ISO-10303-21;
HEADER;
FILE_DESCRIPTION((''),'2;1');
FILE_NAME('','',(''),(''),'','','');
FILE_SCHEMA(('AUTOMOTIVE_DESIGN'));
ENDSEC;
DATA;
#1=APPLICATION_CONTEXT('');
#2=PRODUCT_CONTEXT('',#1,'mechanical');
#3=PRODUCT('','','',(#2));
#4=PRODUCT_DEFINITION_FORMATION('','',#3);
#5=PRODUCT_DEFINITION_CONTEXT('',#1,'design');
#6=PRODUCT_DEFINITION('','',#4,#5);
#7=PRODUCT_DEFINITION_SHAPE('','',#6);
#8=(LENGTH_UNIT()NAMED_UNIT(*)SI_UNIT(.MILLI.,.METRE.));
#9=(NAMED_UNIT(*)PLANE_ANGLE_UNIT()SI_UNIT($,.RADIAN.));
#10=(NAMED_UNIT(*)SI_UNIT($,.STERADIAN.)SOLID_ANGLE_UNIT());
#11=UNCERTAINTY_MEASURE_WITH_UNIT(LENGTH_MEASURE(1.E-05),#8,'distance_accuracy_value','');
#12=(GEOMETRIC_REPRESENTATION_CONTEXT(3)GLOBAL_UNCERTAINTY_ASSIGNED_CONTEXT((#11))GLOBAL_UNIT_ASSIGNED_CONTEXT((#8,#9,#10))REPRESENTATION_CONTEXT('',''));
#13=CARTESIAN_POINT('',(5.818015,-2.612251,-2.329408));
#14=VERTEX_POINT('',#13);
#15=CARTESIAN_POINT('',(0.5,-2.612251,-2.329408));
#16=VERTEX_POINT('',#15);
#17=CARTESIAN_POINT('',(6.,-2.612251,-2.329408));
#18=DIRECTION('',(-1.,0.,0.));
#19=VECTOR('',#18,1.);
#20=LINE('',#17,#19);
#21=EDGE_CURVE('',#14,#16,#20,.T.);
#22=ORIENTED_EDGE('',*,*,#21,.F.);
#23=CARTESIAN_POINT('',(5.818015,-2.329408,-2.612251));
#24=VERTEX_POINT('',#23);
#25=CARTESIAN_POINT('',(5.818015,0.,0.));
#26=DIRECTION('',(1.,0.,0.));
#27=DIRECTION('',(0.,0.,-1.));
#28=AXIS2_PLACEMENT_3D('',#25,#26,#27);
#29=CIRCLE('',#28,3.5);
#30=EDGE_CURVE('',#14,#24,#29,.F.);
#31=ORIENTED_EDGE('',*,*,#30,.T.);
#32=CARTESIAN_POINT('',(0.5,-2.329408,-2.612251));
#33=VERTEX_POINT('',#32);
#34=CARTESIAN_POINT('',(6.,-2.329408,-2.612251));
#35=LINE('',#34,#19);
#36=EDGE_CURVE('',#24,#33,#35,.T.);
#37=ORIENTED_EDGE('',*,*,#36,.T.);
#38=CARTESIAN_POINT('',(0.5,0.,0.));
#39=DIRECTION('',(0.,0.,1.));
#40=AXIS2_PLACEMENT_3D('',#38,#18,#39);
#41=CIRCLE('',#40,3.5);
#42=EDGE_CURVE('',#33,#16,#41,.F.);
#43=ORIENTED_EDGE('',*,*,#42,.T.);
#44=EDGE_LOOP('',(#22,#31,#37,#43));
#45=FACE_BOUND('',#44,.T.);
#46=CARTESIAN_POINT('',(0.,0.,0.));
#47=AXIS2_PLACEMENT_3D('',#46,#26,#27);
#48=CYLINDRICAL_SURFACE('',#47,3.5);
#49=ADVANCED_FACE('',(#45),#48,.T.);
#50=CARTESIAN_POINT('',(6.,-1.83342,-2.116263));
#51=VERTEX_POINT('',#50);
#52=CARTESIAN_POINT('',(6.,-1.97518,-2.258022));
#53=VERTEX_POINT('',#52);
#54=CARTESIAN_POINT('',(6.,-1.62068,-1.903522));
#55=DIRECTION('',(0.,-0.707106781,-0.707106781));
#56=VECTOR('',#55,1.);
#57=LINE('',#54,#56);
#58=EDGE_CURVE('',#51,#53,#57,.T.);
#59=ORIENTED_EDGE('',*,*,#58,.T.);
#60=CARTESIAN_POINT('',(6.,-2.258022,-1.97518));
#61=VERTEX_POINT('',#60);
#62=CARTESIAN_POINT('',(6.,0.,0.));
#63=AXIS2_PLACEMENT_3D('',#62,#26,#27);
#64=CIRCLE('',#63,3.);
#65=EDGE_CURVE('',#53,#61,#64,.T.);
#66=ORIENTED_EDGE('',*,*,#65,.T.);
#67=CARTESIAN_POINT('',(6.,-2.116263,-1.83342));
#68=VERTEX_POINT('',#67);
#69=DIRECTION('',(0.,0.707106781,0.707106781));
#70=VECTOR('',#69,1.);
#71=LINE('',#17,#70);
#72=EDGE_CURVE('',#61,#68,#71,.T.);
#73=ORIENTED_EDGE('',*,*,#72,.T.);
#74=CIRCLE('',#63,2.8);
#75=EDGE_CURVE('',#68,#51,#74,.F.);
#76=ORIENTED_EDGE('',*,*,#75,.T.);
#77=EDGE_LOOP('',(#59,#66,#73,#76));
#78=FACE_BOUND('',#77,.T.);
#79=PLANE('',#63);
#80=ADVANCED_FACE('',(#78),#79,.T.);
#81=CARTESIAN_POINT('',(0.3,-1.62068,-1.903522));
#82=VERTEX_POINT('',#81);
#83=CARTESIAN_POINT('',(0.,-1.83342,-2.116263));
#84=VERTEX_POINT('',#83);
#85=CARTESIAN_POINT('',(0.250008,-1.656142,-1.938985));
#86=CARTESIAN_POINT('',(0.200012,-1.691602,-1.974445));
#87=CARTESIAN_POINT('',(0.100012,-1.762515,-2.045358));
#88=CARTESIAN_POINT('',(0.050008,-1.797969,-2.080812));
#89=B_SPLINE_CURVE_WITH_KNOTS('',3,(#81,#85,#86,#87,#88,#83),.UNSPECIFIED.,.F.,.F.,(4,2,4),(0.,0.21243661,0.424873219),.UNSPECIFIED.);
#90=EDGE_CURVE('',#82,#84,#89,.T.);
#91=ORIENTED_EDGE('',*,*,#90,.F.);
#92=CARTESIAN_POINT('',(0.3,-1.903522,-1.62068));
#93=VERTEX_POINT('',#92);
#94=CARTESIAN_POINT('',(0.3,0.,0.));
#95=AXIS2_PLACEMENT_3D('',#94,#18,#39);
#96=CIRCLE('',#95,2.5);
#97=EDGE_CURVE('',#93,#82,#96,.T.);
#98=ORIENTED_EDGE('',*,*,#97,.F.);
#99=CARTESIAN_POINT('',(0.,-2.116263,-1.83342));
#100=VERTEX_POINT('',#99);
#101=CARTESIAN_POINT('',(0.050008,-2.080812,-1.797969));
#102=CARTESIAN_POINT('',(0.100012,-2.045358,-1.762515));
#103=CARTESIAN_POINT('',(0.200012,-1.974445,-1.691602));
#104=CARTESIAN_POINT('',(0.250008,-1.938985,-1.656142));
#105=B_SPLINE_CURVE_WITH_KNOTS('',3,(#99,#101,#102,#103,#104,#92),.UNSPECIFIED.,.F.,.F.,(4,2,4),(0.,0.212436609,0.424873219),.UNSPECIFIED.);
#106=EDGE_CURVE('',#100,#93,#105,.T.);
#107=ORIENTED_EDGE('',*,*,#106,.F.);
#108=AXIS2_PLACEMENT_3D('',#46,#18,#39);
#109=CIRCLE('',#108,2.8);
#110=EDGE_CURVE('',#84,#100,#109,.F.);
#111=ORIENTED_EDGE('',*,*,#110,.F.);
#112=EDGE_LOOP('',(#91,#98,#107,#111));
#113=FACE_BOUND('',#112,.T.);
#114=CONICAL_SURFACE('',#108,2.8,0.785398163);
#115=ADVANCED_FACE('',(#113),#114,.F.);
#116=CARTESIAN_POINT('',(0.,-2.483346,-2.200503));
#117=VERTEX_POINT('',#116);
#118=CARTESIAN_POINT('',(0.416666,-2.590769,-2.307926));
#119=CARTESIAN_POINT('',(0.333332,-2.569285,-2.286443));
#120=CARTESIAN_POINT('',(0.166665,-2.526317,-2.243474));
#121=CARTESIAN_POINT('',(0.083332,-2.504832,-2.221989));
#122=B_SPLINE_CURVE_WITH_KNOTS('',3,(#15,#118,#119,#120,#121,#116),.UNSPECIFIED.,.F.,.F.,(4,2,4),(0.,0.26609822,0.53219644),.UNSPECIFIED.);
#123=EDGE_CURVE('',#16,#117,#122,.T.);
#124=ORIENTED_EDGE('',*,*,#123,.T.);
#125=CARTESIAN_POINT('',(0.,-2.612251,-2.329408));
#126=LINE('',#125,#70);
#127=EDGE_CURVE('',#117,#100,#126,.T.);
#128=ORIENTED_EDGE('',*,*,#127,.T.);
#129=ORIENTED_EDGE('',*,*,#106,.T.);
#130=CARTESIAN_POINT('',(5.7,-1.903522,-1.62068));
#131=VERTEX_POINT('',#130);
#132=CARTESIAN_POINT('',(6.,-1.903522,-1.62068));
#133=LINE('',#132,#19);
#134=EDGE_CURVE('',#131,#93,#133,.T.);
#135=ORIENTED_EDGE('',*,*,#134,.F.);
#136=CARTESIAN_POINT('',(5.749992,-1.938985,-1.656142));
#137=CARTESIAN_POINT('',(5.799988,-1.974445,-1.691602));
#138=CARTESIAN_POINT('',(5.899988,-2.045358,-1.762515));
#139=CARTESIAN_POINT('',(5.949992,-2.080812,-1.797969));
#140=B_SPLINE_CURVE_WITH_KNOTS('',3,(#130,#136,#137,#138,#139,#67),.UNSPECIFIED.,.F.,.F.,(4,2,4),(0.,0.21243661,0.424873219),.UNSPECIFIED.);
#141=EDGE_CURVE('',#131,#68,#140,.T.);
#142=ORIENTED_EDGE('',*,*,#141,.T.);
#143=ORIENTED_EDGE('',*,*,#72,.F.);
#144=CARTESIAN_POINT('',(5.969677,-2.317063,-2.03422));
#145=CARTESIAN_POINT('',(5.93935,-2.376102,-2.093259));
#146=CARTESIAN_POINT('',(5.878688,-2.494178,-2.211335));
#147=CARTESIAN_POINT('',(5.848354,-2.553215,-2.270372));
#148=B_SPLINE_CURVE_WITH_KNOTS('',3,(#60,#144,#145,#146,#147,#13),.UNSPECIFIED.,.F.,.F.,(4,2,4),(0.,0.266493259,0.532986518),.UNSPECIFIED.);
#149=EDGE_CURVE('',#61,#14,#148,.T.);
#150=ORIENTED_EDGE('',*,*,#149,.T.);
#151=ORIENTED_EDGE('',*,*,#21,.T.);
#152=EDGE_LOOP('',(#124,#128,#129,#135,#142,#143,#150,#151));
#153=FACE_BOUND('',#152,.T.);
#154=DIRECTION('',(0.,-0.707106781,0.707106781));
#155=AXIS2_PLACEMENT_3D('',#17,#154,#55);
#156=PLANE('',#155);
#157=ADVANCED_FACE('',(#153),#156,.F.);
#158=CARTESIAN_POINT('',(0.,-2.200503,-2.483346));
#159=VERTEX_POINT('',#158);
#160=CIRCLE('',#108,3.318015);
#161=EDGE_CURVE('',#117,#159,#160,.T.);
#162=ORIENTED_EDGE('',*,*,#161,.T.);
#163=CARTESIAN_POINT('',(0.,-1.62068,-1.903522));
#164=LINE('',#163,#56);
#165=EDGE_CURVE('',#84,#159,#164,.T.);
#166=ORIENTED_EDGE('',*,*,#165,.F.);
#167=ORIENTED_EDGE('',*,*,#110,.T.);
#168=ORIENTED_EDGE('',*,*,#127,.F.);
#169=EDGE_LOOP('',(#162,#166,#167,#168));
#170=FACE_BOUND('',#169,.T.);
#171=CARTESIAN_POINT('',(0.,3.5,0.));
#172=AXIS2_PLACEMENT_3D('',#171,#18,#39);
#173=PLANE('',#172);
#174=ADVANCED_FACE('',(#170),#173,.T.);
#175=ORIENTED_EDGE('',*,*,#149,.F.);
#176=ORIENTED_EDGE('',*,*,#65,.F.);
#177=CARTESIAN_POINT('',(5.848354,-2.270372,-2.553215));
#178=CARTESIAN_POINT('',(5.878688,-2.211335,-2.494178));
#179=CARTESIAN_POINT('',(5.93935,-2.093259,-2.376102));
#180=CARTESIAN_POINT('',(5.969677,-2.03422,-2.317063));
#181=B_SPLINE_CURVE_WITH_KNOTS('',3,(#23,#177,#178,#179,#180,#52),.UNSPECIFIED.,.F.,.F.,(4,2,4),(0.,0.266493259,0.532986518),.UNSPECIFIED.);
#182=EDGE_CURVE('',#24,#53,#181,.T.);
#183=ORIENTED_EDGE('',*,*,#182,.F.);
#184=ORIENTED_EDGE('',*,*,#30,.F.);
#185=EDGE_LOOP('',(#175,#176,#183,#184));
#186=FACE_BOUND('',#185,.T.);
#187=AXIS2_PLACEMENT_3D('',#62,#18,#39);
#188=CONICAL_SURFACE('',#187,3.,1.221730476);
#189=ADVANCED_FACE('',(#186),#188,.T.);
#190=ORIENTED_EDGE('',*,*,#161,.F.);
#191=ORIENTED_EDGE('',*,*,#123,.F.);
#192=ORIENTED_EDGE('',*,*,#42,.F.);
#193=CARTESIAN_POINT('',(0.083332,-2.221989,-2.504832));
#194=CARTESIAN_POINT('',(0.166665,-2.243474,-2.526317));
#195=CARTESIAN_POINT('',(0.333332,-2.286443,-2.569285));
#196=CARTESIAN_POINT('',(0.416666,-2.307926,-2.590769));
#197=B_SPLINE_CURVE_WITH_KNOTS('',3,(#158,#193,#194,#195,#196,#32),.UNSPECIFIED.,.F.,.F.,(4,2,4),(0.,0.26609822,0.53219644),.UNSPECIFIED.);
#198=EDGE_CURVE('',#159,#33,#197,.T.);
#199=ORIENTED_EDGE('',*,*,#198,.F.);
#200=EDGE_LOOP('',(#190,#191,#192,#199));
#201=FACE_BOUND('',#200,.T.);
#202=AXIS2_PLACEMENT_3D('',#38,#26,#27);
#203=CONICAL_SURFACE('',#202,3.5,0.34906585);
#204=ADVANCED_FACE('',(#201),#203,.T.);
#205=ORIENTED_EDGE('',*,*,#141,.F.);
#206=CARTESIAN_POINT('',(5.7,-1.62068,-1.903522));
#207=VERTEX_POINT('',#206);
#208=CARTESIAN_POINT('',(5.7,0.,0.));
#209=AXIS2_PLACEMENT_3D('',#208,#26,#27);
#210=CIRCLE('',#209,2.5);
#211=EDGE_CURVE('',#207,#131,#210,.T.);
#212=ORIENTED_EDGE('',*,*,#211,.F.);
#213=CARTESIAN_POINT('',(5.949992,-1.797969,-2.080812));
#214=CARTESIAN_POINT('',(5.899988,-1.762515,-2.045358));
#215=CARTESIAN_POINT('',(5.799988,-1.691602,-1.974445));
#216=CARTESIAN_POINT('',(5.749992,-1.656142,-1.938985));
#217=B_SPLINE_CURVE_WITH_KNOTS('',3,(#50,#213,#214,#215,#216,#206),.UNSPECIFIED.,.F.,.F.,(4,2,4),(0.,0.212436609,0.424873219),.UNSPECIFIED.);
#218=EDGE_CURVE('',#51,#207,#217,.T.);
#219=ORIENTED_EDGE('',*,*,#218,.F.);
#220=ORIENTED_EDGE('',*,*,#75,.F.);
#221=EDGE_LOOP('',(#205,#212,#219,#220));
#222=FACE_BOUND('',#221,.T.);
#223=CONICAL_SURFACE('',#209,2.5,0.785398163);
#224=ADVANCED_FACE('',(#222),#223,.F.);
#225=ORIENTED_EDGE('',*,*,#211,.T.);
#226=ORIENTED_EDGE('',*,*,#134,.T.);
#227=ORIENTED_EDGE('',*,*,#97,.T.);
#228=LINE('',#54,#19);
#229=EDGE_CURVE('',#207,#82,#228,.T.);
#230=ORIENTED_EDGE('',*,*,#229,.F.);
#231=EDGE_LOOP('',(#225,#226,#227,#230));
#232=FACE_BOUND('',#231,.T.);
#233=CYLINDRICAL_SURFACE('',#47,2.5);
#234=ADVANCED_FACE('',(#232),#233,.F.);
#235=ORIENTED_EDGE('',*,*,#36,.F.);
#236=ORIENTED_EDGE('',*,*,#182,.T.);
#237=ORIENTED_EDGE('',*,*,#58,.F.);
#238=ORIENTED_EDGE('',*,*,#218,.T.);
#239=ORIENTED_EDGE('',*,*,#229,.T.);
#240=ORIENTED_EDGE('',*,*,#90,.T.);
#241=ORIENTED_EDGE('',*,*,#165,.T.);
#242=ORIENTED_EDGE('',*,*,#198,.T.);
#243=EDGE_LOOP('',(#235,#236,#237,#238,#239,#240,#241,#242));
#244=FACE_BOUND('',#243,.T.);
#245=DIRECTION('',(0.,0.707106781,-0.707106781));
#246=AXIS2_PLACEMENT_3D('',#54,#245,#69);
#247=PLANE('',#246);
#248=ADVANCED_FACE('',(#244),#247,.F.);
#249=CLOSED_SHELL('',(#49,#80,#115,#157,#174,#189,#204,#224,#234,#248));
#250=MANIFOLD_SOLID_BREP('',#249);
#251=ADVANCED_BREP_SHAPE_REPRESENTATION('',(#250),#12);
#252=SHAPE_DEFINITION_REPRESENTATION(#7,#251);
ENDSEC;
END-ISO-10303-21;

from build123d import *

# Parameters (mm, degrees)
SKETCH1_W             = 6
SKETCH1_H             = 3.5
CUT_EXTRUDE1_DEPTH    = 7
SKETCH3_W             = 6
SKETCH3_H             = 2.5
CHAMFER1_SIZE         = 0.3
CHAMFER2_SIZE         = 0.181985117
CHAMFER2_SIZE2        = 0.5
CHAMFER2_PART_2_SIZE  = 0.181985117
CHAMFER2_PART_2_SIZE2 = 0.5


with BuildPart() as part:
    # Sketch1 → Revolve1 (revolve)
    with BuildSketch(Plane.XY):
        with Locations((3, 1.75)):
            Rectangle(SKETCH1_W, SKETCH1_H)
    revolve(axis=Axis((0, 0, 0), (1, 0, 0)))

    # Sketch2 → Cut-Extrude1 (cut, through all)
    with BuildSketch(Plane.ZY):
        with BuildLine():
            Line((-2.329408464, -2.612251176), (-1.620679662, -1.903522375))
            ThreePointArc((-1.620679662, -1.903522375), (-1.767766953, -1.767766953), (-1.903522375, -1.620679662))
            Line((-1.903522375, -1.620679662), (-2.612251176, -2.329408464))
            ThreePointArc((-2.612251176, -2.329408464), (-2.474873734, -2.474873734), (-2.329408464, -2.612251176))
        make_face()
    extrude(amount=-CUT_EXTRUDE1_DEPTH, mode=Mode.SUBTRACT)

    # Sketch3 → Cut-Revolve1 (revolve, cut)
    with BuildSketch(Plane.XY):
        with Locations((3, 1.25)):
            Rectangle(SKETCH3_W, SKETCH3_H)
    revolve(axis=Axis((0, 0, 0), (1, 0, 0)), mode=Mode.SUBTRACT)

    # Chamfer1
    chamfer1_edges = [part.edges().sort_by_distance(p)[0] for p in [
        (0, -0.863479607, 2.346146408),
        (6, -0.863479607, 2.346146408),
    ]]
    chamfer(chamfer1_edges, length=CHAMFER1_SIZE)

    # Chamfer2
    chamfer2_edges = [part.edges().sort_by_distance(p)[0] for p in [
        (0, -1.246419047, 3.270541172),
    ]]
    chamfer2_side = [part.faces().sort_by_distance(p)[0] for p in [
        (0, -2.011414437, -2.434257149),
    ]]
    chamfer(chamfer2_edges, length=CHAMFER2_SIZE, length2=CHAMFER2_SIZE2, reference=chamfer2_side[0])

    # Chamfer2 part 2
    chamfer2_part_2_edges = [part.edges().sort_by_distance(p)[0] for p in [
        (6, -1.246419047, 3.270541172),
    ]]
    chamfer2_part_2_side = [part.faces().sort_by_distance(p)[0] for p in [
        (3, -1.246419047, 3.270541172),
    ]]
    chamfer(chamfer2_part_2_edges, length=CHAMFER2_PART_2_SIZE, length2=CHAMFER2_PART_2_SIZE2, reference=chamfer2_part_2_side[0])


solid = part.part
